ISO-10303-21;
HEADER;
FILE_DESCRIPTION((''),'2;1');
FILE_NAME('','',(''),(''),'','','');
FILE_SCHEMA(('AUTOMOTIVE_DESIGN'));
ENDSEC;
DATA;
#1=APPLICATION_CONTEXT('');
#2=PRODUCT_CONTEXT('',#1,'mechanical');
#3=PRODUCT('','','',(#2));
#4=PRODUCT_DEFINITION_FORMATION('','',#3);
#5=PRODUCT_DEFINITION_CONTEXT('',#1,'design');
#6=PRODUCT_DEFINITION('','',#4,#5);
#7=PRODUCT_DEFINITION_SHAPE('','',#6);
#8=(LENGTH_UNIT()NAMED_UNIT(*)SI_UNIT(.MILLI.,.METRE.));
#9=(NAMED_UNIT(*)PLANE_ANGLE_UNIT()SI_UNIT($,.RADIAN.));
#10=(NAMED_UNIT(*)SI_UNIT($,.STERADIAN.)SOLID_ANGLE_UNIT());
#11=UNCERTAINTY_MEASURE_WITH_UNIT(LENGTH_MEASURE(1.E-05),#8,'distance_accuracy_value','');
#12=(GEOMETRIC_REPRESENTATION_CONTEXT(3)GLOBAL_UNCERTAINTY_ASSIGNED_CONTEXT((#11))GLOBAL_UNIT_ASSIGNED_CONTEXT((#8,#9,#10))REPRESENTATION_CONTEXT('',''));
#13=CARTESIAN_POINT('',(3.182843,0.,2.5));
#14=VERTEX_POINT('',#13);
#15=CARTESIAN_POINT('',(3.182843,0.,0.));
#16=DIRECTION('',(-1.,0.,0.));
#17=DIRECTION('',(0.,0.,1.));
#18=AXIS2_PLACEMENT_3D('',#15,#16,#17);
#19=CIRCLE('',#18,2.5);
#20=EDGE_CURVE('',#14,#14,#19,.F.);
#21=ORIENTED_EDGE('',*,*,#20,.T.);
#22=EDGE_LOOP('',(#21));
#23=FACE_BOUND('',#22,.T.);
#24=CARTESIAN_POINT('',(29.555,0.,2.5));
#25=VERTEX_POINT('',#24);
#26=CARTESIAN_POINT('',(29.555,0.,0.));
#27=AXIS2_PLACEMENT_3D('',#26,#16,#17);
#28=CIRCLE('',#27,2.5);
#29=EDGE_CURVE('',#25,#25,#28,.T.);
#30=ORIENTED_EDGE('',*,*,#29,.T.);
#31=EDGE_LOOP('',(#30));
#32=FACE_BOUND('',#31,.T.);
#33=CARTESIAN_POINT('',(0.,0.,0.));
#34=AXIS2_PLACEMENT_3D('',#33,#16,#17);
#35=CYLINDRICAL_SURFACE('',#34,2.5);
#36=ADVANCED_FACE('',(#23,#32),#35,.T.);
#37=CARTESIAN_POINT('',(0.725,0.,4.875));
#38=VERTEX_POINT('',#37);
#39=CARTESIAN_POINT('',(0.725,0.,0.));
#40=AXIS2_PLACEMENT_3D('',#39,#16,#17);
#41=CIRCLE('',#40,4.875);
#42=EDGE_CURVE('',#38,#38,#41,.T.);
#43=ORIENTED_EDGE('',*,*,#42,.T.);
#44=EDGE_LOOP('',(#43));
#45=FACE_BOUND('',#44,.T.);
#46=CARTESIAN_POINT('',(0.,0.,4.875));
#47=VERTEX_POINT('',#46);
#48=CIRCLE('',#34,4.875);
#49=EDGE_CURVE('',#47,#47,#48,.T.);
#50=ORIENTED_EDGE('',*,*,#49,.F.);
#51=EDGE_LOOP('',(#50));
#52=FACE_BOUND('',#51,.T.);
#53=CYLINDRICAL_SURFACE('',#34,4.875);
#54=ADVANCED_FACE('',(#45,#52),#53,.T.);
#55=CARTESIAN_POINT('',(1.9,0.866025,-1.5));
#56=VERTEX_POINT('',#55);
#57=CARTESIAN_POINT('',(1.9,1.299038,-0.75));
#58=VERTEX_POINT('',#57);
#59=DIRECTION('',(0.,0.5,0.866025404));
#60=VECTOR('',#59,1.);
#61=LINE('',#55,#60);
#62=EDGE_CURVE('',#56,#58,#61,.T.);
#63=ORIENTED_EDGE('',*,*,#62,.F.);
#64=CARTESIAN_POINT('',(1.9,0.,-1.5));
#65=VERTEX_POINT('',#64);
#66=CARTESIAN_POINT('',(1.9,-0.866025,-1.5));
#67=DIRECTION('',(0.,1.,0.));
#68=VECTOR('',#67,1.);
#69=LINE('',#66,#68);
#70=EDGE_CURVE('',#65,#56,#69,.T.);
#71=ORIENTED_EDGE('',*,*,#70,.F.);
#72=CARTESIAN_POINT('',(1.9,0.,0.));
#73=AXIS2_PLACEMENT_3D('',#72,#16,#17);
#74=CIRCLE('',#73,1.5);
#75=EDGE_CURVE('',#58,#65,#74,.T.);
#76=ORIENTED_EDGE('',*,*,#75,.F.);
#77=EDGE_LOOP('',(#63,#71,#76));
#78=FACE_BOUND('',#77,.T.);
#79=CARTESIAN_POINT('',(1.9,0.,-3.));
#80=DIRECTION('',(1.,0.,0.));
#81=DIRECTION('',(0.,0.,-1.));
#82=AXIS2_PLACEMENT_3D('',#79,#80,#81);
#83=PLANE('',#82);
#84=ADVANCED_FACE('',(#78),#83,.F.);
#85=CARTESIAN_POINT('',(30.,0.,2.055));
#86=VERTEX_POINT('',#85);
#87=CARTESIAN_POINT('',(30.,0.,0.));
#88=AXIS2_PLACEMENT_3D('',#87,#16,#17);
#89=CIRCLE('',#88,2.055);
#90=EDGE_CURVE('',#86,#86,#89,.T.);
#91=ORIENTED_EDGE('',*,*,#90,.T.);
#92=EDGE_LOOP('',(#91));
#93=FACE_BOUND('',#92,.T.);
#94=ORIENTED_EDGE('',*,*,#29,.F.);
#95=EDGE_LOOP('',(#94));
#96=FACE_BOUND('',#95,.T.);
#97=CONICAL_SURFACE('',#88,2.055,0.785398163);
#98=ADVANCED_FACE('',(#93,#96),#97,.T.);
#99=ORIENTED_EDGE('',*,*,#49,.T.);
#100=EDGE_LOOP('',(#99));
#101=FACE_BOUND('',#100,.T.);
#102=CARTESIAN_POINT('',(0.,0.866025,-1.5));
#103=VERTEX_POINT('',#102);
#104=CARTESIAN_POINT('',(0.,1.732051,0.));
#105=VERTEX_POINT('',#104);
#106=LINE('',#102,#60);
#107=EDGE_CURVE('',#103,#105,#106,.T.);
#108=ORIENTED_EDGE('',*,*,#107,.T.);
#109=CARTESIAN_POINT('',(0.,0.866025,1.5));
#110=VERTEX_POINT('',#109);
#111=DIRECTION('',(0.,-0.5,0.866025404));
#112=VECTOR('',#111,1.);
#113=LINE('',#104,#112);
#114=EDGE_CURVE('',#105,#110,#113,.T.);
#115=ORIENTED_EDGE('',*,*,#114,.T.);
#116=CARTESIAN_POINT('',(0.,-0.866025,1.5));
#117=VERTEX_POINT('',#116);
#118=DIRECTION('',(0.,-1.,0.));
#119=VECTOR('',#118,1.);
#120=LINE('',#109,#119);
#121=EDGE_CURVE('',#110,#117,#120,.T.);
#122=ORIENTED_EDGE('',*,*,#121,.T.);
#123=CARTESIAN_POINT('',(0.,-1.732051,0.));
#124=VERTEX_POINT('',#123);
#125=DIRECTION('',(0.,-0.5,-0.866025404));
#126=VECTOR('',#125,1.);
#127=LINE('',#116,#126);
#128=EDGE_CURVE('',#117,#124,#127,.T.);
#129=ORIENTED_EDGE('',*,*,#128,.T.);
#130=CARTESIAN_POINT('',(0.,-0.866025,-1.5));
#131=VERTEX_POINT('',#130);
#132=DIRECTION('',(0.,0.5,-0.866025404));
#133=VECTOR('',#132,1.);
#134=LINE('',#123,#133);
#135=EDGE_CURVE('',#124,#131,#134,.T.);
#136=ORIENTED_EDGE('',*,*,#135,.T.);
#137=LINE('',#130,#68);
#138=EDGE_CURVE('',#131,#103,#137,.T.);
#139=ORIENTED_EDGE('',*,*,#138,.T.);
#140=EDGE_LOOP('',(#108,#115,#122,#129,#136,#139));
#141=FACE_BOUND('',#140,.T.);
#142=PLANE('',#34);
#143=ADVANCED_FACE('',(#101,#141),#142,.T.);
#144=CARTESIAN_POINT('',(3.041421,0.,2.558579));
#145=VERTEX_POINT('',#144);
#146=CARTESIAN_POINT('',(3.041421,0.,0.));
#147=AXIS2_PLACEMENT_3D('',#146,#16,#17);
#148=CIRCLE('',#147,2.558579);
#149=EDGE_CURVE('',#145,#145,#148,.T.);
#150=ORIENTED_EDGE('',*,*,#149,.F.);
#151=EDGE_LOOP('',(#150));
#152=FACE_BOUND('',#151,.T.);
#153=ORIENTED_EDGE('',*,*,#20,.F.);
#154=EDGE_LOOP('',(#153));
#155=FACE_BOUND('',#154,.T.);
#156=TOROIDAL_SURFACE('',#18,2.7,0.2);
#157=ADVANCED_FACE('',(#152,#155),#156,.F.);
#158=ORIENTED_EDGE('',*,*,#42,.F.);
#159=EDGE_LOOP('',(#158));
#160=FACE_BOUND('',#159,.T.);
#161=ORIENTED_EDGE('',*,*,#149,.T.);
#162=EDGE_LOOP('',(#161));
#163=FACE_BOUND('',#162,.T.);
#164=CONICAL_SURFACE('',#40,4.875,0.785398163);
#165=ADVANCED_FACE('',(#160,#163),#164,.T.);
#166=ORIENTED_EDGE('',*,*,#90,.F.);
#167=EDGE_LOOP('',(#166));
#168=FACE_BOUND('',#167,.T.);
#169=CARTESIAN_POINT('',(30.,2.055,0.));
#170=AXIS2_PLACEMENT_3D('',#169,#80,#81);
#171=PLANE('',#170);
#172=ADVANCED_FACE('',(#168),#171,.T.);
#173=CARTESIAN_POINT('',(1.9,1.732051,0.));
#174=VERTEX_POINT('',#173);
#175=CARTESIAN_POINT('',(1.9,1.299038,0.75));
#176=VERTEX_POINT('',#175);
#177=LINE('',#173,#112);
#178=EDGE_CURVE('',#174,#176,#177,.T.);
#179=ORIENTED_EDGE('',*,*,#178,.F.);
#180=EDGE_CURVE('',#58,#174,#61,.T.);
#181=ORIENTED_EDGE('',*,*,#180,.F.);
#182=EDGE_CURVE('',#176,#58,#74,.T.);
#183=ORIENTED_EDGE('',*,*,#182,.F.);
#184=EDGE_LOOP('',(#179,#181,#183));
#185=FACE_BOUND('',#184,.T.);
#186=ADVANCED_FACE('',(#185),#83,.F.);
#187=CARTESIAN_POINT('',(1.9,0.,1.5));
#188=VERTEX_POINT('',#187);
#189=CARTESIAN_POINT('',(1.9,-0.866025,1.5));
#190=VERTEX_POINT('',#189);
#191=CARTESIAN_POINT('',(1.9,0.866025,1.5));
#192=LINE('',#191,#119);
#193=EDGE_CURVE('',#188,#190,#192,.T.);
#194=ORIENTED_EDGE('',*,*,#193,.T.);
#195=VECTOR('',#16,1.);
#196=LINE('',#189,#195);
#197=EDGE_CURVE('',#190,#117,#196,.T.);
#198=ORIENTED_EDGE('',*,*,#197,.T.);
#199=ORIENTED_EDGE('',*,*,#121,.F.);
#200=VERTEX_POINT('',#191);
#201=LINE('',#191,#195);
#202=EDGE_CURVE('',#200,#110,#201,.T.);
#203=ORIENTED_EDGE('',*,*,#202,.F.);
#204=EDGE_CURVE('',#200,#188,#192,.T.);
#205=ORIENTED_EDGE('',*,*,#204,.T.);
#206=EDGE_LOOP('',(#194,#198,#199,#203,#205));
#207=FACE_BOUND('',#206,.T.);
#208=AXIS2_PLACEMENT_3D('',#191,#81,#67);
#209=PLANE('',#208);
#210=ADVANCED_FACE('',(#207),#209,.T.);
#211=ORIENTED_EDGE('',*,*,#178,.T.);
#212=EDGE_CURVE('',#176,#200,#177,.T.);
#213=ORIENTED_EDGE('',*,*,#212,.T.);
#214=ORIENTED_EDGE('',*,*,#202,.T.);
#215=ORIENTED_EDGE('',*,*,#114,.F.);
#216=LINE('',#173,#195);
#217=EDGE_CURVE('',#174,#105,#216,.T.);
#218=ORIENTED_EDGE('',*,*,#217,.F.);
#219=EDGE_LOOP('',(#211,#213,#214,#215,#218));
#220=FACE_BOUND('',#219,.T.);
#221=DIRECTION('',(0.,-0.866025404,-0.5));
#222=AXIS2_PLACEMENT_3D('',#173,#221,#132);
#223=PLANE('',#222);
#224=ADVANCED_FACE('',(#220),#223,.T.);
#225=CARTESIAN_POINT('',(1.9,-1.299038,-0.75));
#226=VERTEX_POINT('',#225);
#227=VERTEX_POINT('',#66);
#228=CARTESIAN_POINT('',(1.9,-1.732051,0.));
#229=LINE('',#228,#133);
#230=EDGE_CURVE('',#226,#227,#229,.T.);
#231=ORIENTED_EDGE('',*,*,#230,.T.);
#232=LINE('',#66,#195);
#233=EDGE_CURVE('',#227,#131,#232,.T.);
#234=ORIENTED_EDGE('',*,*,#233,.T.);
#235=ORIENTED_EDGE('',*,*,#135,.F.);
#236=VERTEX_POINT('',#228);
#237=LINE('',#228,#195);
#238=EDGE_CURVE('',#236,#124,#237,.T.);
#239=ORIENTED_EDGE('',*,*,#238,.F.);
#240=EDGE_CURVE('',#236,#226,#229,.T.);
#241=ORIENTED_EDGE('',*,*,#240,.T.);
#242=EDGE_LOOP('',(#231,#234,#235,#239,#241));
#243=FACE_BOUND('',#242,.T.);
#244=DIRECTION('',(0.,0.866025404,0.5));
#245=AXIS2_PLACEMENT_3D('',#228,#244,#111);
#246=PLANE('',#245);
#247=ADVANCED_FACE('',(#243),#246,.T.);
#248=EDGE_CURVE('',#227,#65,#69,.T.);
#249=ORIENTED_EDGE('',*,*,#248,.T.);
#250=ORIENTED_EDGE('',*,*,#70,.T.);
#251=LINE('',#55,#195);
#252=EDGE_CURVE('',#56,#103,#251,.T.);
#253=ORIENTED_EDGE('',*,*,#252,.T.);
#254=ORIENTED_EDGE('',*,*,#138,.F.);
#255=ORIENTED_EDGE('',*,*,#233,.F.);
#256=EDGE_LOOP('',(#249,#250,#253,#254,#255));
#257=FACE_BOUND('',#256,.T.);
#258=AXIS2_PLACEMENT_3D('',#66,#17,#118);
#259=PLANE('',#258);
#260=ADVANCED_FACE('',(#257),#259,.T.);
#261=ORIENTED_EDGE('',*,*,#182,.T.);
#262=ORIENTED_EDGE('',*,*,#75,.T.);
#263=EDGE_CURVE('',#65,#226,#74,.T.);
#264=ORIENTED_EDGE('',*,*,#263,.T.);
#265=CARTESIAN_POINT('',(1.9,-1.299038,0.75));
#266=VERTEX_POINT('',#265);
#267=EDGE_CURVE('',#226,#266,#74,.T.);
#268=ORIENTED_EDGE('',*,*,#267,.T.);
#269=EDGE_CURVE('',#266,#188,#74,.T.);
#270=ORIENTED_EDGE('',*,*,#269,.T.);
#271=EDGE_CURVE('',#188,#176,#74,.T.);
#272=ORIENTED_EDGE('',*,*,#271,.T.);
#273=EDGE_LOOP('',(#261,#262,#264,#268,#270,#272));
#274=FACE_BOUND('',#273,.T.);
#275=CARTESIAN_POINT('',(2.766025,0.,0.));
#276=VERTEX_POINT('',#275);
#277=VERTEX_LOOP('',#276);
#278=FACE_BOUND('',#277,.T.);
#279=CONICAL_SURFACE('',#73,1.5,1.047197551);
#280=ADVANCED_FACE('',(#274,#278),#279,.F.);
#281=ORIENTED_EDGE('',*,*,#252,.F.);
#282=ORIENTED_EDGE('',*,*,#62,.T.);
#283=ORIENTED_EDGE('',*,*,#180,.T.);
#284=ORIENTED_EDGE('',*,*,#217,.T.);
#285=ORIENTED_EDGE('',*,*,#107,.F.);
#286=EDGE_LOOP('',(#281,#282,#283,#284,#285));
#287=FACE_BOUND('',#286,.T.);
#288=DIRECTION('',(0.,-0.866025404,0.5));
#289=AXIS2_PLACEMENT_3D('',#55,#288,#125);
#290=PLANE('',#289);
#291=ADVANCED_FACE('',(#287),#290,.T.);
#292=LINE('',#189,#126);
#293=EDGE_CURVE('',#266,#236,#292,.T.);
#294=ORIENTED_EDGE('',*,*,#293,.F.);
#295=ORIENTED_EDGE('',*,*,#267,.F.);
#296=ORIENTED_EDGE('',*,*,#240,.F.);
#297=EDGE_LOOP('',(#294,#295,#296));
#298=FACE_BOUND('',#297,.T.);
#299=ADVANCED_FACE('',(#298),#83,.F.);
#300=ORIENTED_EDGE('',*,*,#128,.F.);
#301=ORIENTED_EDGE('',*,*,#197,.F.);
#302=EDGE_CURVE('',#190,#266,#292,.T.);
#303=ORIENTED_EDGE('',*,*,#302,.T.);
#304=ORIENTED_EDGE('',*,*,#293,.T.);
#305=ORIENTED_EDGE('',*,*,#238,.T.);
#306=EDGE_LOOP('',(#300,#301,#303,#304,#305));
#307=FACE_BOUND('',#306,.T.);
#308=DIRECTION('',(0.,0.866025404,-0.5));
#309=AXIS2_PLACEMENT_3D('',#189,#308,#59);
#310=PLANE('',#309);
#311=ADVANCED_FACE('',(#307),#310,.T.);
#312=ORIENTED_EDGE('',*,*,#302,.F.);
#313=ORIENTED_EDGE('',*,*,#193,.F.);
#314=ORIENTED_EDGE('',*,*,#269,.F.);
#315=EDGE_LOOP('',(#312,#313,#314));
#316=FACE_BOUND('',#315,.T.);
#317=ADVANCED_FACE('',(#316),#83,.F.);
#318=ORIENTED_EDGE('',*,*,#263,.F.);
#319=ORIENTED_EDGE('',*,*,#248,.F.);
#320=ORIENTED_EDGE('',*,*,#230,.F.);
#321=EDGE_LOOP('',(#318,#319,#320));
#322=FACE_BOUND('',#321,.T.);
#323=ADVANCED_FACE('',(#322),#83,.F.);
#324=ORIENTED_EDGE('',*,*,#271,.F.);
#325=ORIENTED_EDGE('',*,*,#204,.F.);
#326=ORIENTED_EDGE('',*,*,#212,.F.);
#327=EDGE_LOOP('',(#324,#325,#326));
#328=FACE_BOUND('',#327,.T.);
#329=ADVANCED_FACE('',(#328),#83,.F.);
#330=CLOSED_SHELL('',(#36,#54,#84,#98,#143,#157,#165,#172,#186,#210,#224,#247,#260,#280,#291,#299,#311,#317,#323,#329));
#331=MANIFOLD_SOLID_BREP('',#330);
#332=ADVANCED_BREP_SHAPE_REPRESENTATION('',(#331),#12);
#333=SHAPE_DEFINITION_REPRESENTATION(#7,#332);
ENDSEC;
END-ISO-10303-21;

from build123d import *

# Parameters (mm, degrees)
FILLET1_R   = 0.2
HEX_2_DEPTH = 1.9


with BuildPart() as part:
    # BodySke → BaseBody (revolve)
    with BuildSketch(Plane.XY, mode=Mode.PRIVATE) as basebody_sk:
        Polygon((0, 0), (0, 4.875), (0.725, 4.875), (3.1, 2.5), (29.555, 2.5), (30, 2.055), (30, 0), align=None)
    revolve(basebody_sk.sketch.rotate(Axis((0, 0, 0), (1, 0, 0)), 90), axis=Axis((0, 0, 0), (1, 0, 0)))

    # Fillet1
    fillet1_edges = [part.edges().sort_by_distance(p)[0] for p in [
        (3.1, 0, -2.5),
    ]]
    fillet(fillet1_edges, radius=FILLET1_R)

    # Sketch2 → PreBroach (revolve, cut)
    with BuildSketch(Plane.XY, mode=Mode.PRIVATE) as prebroach_sk:
        Polygon((0, 1.5), (1.9, 1.5), (2.766025404, 0), (0, 0), align=None)
    revolve(prebroach_sk.sketch.rotate(Axis((0, 0, 0), (1, 0, 0)), 90), axis=Axis((0, 0, 0), (1, 0, 0)), mode=Mode.SUBTRACT)

    # Sketch3 → Hex 2 (cut)
    with BuildSketch(Plane.ZY):
        Polygon((-1.5, -0.866025404), (-1.5, 0.866025404), (0, 1.732050808), (1.5, 0.866025404), (1.5, -0.866025404), (0, -1.732050808), align=None)
    extrude(amount=-HEX_2_DEPTH, mode=Mode.SUBTRACT)


solid = part.part
